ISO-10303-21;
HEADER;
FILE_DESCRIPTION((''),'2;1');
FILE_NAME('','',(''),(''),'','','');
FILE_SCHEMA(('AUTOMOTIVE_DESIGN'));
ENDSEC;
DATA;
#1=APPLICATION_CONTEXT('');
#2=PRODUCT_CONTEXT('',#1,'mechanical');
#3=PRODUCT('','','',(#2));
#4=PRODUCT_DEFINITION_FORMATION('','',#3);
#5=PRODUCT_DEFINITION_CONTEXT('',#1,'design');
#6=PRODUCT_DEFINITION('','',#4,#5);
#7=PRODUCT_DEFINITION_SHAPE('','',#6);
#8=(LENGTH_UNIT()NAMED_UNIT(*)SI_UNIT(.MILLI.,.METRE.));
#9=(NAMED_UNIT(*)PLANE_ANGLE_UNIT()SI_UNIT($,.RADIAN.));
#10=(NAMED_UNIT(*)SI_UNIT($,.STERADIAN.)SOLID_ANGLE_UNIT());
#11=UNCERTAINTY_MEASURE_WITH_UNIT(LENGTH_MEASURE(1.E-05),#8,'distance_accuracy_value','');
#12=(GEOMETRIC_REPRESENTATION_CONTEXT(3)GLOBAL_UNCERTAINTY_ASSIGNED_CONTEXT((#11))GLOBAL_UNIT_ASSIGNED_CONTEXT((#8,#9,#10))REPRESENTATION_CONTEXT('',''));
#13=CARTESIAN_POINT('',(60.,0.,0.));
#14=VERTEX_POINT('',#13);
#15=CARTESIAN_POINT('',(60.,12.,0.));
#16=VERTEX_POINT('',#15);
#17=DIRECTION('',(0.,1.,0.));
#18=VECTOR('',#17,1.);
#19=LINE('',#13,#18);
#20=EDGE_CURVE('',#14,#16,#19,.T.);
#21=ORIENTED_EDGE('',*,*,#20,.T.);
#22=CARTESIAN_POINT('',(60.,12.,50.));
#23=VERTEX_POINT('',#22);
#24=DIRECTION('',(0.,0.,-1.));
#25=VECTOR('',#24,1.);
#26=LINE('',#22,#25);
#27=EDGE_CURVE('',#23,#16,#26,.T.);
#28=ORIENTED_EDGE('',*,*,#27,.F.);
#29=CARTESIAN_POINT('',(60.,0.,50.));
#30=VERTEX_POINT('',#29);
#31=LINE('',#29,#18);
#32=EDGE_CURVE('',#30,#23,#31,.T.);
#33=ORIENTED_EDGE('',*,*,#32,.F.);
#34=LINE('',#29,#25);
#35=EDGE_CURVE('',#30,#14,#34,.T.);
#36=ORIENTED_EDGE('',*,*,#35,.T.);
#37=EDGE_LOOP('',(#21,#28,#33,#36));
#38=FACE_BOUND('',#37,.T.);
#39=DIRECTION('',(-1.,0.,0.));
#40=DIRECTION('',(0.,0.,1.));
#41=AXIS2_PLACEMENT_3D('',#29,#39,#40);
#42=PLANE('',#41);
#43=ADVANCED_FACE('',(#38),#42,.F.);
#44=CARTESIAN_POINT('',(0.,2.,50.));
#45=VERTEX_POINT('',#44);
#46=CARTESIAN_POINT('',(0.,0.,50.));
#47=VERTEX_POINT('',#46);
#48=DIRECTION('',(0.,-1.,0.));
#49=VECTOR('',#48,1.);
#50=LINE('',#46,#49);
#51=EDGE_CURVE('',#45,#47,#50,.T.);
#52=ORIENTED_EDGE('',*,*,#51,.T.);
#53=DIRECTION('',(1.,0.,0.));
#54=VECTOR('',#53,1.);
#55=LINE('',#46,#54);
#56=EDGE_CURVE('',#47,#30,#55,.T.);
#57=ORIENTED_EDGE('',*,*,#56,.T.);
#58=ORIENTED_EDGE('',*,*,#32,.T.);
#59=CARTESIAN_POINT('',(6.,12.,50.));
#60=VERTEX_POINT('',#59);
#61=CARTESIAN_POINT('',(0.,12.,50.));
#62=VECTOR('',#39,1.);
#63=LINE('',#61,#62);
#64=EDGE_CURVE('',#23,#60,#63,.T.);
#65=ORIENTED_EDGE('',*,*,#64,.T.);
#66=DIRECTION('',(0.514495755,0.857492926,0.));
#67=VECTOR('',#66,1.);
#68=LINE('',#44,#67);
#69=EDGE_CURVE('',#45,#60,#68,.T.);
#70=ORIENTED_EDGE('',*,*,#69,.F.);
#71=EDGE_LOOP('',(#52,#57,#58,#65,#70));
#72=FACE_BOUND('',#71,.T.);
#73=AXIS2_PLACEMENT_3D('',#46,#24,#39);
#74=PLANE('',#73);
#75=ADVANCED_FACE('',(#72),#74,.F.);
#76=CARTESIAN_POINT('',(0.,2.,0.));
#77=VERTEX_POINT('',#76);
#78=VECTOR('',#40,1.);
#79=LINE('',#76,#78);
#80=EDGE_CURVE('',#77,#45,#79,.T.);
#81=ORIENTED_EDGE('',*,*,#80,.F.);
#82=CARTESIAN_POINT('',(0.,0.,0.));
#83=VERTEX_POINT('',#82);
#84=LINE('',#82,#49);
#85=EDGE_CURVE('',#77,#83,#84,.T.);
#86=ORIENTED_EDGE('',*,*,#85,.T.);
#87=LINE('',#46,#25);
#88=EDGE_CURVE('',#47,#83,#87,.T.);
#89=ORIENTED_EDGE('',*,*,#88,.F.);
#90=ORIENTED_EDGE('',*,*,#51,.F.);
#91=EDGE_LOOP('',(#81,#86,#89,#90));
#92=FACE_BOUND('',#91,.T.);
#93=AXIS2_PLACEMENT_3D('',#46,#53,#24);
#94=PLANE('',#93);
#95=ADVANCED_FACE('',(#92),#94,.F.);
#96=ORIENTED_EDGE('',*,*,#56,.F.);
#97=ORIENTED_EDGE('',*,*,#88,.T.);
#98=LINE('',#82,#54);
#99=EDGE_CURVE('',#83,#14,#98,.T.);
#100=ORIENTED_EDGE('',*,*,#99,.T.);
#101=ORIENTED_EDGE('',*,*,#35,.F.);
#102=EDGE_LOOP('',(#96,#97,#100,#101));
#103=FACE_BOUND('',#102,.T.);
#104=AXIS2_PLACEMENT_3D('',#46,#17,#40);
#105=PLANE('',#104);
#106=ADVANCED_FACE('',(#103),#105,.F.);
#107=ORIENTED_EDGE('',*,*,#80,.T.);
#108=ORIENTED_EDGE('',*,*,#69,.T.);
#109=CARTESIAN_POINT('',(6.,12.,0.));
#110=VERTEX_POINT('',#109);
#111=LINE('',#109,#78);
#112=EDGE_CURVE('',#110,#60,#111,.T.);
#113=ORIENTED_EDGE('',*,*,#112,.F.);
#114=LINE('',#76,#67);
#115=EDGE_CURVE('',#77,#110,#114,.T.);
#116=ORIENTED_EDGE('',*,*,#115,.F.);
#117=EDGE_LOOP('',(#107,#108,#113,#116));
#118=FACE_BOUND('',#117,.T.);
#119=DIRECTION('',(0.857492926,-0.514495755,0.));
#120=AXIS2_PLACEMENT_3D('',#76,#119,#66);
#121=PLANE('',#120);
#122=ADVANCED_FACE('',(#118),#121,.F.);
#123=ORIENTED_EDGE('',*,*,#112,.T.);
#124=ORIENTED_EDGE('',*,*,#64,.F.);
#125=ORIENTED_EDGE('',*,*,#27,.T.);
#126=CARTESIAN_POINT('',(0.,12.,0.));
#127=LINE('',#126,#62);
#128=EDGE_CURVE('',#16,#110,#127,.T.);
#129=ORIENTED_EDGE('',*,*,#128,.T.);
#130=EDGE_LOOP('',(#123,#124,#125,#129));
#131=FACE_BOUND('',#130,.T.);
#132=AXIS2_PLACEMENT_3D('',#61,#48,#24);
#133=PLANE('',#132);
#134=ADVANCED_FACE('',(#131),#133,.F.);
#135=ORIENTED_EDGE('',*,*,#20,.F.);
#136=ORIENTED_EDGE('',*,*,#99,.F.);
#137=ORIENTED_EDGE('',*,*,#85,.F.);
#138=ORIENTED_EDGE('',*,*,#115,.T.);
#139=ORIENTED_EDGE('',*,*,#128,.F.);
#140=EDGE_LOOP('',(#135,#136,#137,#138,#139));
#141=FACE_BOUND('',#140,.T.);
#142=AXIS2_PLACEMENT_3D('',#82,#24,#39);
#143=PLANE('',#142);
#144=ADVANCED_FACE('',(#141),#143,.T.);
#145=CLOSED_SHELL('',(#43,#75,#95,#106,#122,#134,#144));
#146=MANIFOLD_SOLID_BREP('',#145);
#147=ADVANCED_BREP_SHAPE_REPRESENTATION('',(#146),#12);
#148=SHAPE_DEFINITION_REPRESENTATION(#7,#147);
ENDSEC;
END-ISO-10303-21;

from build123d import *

# Parameters (mm, degrees)
SKETCH1_W           = 60
SKETCH1_H           = 12
BOSS_EXTRUDE1_DEPTH = 50
CUT_EXTRUDE1_DEPTH  = 80.018985061


with BuildPart() as part:
    # Sketch1 → Boss-Extrude1 (new body)
    with BuildSketch(Plane.XY):
        with Locations((30, 6)):
            Rectangle(SKETCH1_W, SKETCH1_H)
    extrude(amount=BOSS_EXTRUDE1_DEPTH)

    # Sketch2 → Cut-Extrude1 (cut, through all)
    with BuildSketch(Plane.XY.offset(50)):
        Polygon((0, 2), (6, 12), (0, 12), align=None)
    extrude(amount=-CUT_EXTRUDE1_DEPTH, mode=Mode.SUBTRACT)


solid = part.part
